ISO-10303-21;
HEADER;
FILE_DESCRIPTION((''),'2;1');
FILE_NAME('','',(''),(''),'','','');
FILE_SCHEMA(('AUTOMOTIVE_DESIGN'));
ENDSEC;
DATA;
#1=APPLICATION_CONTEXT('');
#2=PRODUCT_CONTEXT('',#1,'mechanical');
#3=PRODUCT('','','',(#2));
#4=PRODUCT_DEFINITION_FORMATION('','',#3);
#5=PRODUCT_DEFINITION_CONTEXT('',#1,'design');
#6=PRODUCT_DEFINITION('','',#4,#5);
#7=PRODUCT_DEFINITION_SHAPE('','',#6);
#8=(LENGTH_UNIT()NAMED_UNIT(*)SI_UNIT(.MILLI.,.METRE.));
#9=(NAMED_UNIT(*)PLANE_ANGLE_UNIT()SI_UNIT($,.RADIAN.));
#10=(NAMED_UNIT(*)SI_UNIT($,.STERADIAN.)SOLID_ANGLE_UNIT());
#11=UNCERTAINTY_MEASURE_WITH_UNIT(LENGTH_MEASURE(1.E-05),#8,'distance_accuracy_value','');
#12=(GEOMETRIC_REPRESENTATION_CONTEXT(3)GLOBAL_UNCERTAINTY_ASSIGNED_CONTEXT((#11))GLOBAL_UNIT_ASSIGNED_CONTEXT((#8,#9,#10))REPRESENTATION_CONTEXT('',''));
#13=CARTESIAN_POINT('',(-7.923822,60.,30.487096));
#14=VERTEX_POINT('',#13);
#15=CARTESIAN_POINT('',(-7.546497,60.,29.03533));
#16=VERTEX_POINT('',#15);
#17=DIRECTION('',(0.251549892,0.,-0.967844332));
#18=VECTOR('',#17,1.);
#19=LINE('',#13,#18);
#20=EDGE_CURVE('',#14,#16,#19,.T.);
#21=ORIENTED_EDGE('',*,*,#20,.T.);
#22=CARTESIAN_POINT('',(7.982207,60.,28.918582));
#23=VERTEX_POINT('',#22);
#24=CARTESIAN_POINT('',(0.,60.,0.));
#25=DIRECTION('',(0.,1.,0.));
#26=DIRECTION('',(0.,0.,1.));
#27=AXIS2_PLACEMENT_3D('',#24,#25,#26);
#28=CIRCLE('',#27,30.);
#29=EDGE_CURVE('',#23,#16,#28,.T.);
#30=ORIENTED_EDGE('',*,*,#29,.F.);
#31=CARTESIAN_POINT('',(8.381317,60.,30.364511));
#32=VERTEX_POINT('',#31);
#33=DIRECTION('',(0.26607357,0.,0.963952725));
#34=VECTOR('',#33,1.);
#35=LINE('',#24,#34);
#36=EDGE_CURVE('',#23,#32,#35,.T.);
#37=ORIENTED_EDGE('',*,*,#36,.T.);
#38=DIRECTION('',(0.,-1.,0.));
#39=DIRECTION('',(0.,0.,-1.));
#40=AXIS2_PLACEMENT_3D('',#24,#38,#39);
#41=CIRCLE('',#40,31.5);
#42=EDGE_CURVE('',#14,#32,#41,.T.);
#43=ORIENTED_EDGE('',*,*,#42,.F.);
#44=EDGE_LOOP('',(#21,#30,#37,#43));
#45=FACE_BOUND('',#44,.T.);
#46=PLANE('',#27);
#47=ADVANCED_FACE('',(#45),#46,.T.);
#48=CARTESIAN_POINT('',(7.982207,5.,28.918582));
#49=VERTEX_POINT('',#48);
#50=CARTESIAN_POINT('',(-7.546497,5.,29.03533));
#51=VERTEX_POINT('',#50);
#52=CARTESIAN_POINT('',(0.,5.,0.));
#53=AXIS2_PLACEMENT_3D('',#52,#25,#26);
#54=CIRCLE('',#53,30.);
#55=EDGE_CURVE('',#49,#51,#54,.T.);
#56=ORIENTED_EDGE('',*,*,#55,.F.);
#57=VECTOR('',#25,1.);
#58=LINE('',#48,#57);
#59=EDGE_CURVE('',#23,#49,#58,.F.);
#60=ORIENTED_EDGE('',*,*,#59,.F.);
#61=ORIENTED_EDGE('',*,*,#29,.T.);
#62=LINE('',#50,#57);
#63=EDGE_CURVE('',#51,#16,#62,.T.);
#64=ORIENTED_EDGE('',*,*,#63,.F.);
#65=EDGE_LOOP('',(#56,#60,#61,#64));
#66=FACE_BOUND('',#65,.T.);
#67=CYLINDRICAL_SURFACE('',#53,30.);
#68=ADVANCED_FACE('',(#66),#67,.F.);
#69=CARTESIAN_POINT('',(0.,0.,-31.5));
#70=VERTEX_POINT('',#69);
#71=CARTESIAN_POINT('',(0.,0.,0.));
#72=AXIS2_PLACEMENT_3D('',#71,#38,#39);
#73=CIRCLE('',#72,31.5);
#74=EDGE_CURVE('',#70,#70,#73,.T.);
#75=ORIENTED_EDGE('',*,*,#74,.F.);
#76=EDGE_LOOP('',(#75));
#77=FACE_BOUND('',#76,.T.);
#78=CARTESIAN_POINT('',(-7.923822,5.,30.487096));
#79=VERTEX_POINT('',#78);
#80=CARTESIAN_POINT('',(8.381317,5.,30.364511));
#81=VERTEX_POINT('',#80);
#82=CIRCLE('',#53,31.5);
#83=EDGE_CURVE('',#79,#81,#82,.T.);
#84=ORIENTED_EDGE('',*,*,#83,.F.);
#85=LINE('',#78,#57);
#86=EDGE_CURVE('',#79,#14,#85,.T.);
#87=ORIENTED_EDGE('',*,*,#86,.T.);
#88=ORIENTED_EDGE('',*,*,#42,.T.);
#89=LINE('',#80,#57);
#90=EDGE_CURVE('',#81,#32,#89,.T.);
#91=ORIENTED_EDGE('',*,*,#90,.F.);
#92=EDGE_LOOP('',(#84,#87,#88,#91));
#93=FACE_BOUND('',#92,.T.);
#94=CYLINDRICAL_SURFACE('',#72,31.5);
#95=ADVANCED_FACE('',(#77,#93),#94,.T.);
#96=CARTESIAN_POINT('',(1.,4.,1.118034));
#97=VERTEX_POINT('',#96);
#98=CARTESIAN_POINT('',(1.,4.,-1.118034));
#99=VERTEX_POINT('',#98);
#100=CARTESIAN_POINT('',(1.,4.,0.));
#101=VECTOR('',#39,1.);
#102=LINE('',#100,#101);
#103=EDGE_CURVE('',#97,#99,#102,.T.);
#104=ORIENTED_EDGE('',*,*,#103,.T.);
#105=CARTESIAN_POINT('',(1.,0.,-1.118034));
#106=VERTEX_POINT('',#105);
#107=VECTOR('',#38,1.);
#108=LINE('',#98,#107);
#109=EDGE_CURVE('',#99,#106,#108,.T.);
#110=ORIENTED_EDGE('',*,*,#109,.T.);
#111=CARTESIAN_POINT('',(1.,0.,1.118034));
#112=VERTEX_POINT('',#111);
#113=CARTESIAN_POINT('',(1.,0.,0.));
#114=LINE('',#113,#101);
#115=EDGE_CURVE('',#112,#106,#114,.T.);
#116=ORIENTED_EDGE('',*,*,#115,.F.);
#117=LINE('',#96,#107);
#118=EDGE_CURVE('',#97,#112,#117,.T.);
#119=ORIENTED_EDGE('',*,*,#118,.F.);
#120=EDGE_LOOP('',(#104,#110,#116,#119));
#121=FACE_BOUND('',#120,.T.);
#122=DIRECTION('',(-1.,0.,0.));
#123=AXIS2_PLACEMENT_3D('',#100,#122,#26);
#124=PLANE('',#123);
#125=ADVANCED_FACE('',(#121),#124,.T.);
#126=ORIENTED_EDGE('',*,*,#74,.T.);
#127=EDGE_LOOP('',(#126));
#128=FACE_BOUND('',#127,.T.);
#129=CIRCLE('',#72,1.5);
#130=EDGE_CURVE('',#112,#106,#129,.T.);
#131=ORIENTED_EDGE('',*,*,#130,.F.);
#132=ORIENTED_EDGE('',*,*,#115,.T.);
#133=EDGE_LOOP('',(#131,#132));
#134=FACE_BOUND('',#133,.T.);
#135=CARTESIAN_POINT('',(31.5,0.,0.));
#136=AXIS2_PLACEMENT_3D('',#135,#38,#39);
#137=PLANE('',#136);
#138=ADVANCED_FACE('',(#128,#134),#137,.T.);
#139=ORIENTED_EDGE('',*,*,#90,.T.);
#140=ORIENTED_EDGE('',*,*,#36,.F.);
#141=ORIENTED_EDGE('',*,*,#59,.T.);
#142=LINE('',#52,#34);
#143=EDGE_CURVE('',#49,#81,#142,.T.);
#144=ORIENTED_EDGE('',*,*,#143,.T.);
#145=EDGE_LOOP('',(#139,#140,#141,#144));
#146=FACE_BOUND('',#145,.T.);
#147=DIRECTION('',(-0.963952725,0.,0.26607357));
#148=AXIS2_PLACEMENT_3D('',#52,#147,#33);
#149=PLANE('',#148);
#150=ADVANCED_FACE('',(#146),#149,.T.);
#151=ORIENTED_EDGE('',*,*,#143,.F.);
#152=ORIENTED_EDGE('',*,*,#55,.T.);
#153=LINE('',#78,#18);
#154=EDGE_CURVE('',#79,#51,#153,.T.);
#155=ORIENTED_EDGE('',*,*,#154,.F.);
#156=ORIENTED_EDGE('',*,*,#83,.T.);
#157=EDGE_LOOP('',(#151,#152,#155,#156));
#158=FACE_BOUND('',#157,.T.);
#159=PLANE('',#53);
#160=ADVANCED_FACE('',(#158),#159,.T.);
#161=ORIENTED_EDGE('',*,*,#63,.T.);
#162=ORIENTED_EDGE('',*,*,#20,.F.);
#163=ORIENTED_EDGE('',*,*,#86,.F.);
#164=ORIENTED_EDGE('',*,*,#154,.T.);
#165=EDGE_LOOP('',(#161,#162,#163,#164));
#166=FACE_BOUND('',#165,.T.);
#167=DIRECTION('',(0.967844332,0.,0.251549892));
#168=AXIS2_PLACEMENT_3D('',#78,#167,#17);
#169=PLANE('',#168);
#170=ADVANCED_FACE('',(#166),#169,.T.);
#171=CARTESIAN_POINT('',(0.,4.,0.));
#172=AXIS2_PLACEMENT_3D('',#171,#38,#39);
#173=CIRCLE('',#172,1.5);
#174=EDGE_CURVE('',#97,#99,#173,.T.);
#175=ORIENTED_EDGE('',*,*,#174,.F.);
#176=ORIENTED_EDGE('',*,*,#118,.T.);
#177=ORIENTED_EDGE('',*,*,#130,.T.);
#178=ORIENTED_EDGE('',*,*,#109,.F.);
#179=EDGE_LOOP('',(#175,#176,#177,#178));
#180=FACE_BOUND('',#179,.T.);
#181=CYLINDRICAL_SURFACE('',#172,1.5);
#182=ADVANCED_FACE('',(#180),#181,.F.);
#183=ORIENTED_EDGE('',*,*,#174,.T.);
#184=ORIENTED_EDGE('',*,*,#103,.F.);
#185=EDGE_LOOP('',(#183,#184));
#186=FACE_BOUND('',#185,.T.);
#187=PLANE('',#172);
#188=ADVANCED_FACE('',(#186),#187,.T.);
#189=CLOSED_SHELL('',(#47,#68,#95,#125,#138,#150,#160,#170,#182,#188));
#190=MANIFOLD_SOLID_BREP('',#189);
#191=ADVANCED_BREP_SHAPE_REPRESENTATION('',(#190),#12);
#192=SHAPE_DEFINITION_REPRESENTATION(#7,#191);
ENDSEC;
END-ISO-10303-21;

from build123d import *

# Parameters (mm, degrees)
ESQUISSE1_W             = 31.5
ESQUISSE1_H             = 60
ENL_V_START             = -55
ESQUISSE2_R             = 30
ENL_V_MAT_EXTRU_4_DEPTH = 55
ENL_V_MAT_EXTRU_7_DEPTH = 4


with BuildPart() as part:
    # Esquisse1 → Révolution1 (revolve)
    with BuildSketch(Plane.XY, mode=Mode.PRIVATE) as r_volution1_sk:
        with Locations((15.75, 30)):
            Rectangle(ESQUISSE1_W, ESQUISSE1_H)
    revolve(r_volution1_sk.sketch.rotate(Axis((0, 0, 0), (0, 1, 0)), 90), axis=Axis((0, 0, 0), (0, 1, 0)))

    # Esquisse2 → Enlèv. mat.-Extru.4 (cut)
    with BuildSketch(Plane(origin=(0, 60, 0), x_dir=(1, 0, 0), z_dir=(0, 1, 0)).offset(ENL_V_START)):
        Circle(ESQUISSE2_R)
        with BuildLine():
            Line((-7.923821592, -30.487096473), (0, 0))
            Line((0, 0), (8.381317443, -30.36451083))
            ThreePointArc((8.381317443, -30.36451083), (0.236817278, -31.49910979), (-7.923821592, -30.487096473))
        make_face()
    extrude(amount=ENL_V_MAT_EXTRU_4_DEPTH, mode=Mode.SUBTRACT)

    # Esquisse4 → Enlèv. mat.-Extru.7 (cut)
    with BuildSketch(Plane(origin=(0, 0, 0), x_dir=(-1, 0, 0), z_dir=(0, -1, 0))):
        with BuildLine():
            Line((-1, 1.118033989), (-1, -1.118033989))
            ThreePointArc((-1, -1.118033989), (0.612372436, -1.369306394), (1.5, 0))
            ThreePointArc((1.5, 0), (0.612372436, 1.369306394), (-1, 1.118033989))
        make_face()
    extrude(amount=-ENL_V_MAT_EXTRU_7_DEPTH, mode=Mode.SUBTRACT)


solid = part.part
